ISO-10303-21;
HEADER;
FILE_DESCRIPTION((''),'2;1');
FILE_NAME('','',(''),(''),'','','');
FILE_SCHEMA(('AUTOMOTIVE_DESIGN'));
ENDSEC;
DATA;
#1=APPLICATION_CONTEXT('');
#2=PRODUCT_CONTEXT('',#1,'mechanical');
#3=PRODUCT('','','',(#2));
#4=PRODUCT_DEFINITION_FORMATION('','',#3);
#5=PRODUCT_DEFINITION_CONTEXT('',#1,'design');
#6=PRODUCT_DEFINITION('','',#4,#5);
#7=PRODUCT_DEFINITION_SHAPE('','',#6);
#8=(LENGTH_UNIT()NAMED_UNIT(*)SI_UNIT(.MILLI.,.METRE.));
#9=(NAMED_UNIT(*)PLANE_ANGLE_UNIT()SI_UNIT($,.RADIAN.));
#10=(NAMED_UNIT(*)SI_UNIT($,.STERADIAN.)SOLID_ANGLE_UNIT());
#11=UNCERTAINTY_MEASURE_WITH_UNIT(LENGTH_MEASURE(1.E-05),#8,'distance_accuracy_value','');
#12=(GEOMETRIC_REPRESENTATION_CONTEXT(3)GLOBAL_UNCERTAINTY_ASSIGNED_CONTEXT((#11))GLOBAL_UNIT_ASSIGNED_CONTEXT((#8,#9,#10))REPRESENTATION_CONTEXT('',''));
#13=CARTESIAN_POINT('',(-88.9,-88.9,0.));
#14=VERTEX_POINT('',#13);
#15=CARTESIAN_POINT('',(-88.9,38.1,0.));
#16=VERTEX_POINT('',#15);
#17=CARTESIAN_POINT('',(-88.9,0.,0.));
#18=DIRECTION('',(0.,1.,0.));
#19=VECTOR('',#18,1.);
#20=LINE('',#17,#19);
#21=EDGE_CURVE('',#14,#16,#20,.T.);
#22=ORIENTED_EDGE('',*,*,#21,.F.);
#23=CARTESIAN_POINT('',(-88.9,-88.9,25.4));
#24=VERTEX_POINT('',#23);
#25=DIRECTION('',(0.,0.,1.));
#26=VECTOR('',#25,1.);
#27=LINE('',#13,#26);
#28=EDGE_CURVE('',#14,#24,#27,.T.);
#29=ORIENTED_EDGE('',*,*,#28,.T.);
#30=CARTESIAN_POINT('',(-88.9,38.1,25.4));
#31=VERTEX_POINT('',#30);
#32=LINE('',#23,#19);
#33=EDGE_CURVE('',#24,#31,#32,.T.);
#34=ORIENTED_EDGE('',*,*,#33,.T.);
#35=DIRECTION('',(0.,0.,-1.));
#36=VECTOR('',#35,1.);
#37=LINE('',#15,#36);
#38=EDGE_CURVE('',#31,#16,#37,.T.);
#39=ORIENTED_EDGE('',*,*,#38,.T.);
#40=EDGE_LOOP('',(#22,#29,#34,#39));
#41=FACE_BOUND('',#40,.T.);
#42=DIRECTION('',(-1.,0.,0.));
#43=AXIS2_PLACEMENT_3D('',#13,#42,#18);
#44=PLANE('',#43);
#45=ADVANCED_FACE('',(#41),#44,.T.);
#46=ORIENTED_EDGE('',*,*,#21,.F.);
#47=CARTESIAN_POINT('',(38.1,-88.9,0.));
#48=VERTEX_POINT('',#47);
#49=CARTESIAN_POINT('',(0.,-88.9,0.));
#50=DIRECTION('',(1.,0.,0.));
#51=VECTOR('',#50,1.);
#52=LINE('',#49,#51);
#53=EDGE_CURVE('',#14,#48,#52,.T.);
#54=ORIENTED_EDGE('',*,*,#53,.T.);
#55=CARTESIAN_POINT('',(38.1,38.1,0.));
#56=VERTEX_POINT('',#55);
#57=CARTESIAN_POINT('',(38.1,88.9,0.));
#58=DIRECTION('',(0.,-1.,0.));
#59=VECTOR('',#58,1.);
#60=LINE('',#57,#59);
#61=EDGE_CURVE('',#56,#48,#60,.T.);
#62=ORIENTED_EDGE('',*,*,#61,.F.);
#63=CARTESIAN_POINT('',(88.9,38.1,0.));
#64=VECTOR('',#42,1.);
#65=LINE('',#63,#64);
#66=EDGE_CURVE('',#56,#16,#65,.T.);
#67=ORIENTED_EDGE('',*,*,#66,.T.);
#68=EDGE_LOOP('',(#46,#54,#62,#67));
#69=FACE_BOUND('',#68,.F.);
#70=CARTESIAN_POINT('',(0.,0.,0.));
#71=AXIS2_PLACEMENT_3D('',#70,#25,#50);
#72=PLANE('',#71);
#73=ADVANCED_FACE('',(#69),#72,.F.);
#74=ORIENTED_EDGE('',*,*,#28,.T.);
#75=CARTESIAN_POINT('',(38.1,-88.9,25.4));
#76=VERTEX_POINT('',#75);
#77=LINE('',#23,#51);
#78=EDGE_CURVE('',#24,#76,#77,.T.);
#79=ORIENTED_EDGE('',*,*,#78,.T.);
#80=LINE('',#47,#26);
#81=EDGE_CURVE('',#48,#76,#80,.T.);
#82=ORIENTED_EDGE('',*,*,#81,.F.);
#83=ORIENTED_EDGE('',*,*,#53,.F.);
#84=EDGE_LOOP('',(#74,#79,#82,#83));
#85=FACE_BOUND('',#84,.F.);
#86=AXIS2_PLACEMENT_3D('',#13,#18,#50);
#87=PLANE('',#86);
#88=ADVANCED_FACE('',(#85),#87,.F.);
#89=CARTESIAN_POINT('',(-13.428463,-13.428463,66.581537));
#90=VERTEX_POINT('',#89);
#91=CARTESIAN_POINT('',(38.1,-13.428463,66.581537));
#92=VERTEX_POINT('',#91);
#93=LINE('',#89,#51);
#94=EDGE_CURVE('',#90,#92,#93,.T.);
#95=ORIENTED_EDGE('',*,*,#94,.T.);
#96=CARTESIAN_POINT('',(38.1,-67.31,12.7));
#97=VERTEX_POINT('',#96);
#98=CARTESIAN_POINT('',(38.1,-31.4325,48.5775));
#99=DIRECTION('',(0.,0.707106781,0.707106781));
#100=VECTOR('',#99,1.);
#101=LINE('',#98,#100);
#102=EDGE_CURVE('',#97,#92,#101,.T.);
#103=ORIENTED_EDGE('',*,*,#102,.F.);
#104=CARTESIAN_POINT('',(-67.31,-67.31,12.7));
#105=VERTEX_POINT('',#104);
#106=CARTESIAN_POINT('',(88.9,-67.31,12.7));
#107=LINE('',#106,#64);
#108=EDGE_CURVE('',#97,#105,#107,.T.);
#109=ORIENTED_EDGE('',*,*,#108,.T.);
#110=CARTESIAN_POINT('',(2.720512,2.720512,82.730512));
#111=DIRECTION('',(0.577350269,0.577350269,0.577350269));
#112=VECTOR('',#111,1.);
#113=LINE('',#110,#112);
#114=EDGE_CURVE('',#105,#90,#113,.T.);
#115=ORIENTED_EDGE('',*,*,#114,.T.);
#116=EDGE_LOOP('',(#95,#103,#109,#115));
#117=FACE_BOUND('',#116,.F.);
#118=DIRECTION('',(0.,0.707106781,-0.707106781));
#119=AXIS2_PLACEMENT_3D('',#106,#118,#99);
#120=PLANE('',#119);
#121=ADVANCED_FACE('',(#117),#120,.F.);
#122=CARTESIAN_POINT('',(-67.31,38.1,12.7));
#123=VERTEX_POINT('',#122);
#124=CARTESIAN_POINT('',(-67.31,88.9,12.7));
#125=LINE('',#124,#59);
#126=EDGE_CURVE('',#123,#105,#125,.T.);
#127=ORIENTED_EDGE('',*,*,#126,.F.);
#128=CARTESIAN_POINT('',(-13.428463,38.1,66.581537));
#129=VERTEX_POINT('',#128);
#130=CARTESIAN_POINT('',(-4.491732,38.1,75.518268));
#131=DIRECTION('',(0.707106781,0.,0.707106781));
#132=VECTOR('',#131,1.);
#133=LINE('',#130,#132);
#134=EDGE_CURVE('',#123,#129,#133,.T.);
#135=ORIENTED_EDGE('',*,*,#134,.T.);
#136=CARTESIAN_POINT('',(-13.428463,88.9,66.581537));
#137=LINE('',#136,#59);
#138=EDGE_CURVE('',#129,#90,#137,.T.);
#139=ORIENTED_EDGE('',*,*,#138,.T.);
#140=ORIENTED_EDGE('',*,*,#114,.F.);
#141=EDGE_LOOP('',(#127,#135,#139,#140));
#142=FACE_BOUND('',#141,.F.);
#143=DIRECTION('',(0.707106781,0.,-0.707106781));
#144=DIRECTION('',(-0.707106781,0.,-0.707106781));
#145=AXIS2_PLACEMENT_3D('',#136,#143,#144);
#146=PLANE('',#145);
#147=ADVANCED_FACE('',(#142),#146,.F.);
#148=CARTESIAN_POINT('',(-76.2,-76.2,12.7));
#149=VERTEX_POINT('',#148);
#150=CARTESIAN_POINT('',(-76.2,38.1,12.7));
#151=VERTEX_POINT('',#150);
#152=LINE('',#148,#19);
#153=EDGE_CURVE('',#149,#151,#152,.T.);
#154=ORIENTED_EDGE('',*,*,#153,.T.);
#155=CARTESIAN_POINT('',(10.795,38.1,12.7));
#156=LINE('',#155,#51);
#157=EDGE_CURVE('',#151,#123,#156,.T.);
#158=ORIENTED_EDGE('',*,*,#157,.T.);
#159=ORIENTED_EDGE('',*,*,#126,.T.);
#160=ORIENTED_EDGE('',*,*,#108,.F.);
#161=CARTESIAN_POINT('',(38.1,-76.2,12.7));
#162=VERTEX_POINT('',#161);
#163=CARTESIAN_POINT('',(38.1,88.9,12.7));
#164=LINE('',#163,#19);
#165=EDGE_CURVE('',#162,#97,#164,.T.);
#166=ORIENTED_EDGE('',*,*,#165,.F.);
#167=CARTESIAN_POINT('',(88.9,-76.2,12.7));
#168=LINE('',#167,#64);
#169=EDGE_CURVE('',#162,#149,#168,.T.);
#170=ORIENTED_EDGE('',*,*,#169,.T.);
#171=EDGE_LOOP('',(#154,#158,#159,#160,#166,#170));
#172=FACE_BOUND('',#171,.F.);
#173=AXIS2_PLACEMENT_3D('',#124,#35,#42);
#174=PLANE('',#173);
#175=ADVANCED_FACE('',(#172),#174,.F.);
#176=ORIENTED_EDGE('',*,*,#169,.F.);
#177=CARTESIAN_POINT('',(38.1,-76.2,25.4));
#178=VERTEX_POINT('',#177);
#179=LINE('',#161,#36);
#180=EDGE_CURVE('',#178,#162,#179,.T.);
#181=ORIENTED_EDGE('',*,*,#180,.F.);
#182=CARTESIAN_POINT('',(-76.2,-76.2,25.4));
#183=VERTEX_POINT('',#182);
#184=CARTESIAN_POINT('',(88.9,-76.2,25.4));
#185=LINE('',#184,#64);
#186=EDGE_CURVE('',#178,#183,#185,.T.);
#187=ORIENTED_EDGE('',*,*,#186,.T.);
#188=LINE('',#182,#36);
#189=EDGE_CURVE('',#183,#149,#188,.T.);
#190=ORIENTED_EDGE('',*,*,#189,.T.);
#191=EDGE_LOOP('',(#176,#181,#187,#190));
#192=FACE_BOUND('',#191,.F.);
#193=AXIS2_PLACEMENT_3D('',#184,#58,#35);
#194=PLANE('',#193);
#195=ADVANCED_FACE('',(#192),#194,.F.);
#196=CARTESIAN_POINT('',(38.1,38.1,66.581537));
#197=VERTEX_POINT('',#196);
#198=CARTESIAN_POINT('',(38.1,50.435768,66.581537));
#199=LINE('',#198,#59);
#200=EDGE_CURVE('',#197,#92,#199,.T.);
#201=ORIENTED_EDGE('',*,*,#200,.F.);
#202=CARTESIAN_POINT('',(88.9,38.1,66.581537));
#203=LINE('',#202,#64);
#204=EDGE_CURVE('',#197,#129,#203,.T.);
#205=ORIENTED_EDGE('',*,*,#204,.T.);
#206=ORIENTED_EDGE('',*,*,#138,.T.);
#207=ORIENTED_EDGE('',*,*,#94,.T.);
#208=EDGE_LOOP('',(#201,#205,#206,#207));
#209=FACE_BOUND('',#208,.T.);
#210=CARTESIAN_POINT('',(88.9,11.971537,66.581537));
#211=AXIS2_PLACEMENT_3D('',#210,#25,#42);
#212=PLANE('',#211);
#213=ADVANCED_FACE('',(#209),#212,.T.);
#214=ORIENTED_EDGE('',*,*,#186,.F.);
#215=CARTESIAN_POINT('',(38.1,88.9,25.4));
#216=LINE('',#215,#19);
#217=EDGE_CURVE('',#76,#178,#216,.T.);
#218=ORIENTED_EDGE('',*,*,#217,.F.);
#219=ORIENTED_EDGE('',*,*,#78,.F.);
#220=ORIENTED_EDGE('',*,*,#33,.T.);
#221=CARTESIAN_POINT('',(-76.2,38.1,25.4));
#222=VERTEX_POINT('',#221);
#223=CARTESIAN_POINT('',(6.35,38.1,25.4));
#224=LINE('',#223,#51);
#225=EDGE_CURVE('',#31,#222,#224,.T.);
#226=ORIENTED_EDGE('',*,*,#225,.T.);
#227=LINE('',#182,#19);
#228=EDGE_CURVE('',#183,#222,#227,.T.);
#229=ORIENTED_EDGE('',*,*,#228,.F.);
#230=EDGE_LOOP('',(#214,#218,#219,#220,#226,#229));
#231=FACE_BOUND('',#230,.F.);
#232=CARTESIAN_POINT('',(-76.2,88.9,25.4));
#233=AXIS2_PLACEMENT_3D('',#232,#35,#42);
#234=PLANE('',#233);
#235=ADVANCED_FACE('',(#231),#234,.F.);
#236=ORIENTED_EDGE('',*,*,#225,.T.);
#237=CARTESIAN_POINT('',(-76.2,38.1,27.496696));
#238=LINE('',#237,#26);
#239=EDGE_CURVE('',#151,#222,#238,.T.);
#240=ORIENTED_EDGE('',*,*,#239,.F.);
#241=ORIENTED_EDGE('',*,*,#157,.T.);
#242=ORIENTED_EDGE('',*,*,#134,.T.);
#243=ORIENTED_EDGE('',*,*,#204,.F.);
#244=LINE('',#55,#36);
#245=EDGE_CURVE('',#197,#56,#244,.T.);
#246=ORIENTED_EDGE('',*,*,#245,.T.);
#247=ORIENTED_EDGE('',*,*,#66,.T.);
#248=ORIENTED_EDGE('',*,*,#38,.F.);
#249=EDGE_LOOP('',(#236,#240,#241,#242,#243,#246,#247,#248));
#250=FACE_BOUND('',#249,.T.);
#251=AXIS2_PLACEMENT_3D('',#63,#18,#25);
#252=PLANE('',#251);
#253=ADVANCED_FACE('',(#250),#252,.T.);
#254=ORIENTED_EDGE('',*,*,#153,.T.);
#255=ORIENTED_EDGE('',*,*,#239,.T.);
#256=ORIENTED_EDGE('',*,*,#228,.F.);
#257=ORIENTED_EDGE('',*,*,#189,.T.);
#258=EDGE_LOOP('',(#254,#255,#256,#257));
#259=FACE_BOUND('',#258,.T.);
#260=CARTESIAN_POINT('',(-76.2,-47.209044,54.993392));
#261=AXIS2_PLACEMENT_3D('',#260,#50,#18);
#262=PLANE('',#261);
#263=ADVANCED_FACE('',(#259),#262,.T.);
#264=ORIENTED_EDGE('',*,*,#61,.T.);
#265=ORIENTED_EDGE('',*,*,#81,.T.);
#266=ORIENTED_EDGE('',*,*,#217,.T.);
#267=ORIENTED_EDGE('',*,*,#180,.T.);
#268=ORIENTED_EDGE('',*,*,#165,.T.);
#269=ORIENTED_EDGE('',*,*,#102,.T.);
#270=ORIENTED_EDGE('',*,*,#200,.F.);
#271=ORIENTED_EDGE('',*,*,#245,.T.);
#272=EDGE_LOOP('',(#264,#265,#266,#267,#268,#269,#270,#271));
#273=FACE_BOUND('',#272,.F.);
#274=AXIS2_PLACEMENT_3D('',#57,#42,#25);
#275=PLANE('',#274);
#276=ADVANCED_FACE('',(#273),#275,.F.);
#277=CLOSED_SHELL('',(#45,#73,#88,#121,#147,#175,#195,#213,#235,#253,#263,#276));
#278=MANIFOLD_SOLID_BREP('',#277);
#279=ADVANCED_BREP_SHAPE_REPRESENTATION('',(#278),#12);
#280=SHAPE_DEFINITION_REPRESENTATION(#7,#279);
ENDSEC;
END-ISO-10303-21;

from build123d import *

# Parameters (mm, degrees)
F0_W      = 177.8
F0_H      = 177.8
F1_DEPTH  = 76.2
F3_DEPTH  = 156.21
F5_DEPTH  = 156.21
F6_DEPTH  = 76.9294632736
F8_DEPTH  = 21.591
F9_DEPTH  = 8.89
F2_W      = 50.8
F2_H      = 76.2
F10_DEPTH = 177.801
F4_W      = 50.8
F4_H      = 76.2
F11_DEPTH = 177.801


with BuildPart() as f1:
    # F0 (on Top) → F1 (new body)
    with BuildSketch(Plane.XY):
        Rectangle(F0_W, F0_H)
    extrude(amount=F1_DEPTH)

    # F2 (on face) → F3 (cut)
    with BuildSketch(Plane(origin=(0, 88.9, 0), x_dir=(-1, 0, 0), z_dir=(0, 1, 0))):
        Polygon((76.2, 25.4), (88.9, 25.4), (88.9, 76.2), (-11.9715367264, 76.2), (-11.9715367264, 66.5815367264), (13.4284632736, 66.5815367264), (67.31, 12.7), (76.2, 12.7), align=None)
    extrude(amount=-F3_DEPTH, mode=Mode.SUBTRACT)

    # F4 (on face) → F5 (cut)
    with BuildSketch(Plane.YZ.offset(88.9)):
        Polygon((-13.4284632736, 66.5815367264), (11.9715367264, 66.5815367264), (11.9715367264, 76.2), (-88.9, 76.2), (-88.9, 25.4), (-76.2, 25.4), (-76.2, 12.7), (-67.31, 12.7), align=None)
    extrude(amount=-F5_DEPTH, mode=Mode.SUBTRACT)

    # F6 (cut, through all): a face of the model
    f6_faces = [f1.faces().sort_by_distance(p)[0] for p in [
        (50.4357683632, 11.9715367264, 71.3907683632),
    ]]
    extrude(f6_faces, amount=-F6_DEPTH, mode=Mode.SUBTRACT)

    # F7 (on face) → F8 (cut, through all)
    with BuildSketch(Plane.YZ.offset(-67.31)):
        Polygon((-88.9, 76.2), (-88.9, 25.4), (-76.2, 25.4), (-67.31, 25.4), (-67.31, 76.2), align=None)
    extrude(amount=-F8_DEPTH, mode=Mode.SUBTRACT)

    # F9 (cut): a face of the model
    f9_faces = [f1.faces().sort_by_distance(p)[0] for p in [
        (-67.31, -71.755, 19.05),
    ]]
    extrude(f9_faces, amount=-F9_DEPTH, mode=Mode.SUBTRACT)

    # F2 (on face) → F10 (cut, through all)
    with BuildSketch(Plane(origin=(0, 88.9, 0), x_dir=(-1, 0, 0), z_dir=(0, 1, 0))):
        with Locations((-63.5, 38.1)):
            Rectangle(F2_W, F2_H)
    extrude(amount=-F10_DEPTH, mode=Mode.SUBTRACT)

    # F4 (on face) → F11 (cut, through all)
    with BuildSketch(Plane.YZ.offset(88.9)):
        with Locations((63.5, 38.1)):
            Rectangle(F4_W, F4_H)
    extrude(amount=-F11_DEPTH, mode=Mode.SUBTRACT)


solid = f1.part
